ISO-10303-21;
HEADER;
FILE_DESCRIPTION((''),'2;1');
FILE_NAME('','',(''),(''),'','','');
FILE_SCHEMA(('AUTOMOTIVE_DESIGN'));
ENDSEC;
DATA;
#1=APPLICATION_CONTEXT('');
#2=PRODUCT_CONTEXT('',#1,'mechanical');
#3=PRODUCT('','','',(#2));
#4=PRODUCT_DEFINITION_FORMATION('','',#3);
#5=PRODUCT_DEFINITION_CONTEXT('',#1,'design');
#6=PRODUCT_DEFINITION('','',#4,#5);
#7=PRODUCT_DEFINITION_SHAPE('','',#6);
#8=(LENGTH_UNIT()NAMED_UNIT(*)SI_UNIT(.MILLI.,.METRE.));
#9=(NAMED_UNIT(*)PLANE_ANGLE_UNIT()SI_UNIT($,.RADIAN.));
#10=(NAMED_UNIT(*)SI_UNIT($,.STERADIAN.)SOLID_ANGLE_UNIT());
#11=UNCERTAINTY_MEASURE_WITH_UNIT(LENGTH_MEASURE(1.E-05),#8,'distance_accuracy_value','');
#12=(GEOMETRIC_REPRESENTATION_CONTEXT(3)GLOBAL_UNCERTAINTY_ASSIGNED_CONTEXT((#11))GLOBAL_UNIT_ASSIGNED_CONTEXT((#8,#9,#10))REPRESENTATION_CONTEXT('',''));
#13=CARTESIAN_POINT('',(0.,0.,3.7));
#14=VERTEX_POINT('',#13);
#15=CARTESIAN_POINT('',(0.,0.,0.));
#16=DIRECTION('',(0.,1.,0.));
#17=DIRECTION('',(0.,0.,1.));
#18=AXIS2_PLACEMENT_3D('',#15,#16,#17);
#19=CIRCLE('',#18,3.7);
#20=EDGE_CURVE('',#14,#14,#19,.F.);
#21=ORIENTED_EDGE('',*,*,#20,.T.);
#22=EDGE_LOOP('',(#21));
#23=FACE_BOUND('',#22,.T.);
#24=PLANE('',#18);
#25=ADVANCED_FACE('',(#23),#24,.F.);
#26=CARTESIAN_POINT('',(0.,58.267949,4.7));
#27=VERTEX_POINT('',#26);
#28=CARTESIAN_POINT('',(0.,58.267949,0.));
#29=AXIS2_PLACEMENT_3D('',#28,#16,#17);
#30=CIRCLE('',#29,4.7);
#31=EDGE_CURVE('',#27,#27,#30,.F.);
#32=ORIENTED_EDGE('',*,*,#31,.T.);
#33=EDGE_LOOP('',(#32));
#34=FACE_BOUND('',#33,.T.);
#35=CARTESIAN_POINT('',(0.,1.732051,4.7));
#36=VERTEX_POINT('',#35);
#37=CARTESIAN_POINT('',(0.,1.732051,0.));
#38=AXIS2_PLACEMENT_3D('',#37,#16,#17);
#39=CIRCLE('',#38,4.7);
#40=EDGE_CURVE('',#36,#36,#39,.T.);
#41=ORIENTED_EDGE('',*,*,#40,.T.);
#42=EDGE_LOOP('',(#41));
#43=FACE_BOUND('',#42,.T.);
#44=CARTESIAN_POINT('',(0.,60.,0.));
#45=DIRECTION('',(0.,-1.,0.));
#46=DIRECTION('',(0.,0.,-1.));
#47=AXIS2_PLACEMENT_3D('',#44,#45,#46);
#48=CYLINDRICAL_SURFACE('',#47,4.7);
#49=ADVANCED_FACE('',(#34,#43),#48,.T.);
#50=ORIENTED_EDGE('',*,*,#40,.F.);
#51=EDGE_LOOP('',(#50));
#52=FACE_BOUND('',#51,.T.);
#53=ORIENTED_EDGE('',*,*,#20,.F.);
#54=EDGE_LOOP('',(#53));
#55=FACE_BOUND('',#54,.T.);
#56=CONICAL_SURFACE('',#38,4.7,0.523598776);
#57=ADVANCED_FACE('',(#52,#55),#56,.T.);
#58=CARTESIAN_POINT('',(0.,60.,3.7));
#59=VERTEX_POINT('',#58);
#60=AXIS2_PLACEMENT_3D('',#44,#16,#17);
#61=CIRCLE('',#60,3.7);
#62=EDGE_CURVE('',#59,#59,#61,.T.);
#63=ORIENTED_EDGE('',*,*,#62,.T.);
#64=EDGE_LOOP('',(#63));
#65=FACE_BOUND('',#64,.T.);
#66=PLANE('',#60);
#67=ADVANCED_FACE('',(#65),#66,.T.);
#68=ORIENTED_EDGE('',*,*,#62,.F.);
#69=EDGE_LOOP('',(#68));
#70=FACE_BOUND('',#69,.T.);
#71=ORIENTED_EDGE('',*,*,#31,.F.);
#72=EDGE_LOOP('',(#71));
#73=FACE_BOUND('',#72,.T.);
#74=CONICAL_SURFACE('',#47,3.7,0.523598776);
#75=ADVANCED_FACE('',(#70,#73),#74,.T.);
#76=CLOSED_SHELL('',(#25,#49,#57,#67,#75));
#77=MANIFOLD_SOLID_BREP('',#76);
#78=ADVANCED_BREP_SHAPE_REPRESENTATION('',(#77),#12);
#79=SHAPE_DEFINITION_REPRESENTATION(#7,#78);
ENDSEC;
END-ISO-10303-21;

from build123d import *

# Parameters (mm, degrees)
SKETCH1_R           = 4.7
BOSS_EXTRUDE1_DEPTH = 60
CHAMFER1_SIZE       = 1
CHAMFER1_SIZE2      = 1.732050808
CHAMFER3_SIZE       = 1
CHAMFER3_SIZE2      = 1.732050808


with BuildPart() as part:
    # Sketch1 → Boss-Extrude1 (new body)
    with BuildSketch(Plane(origin=(0, 0, 0), x_dir=(1, 0, 0), z_dir=(0, 1, 0))):
        with Locations(Location((0, 0, 0), (0, 0, 270))):
            Circle(SKETCH1_R)
    extrude(amount=BOSS_EXTRUDE1_DEPTH)

    # Chamfer1
    chamfer1_edges = [part.edges().sort_by_distance(p)[0] for p in [
        (0, 0, -4.7),
    ]]
    chamfer1_side = [part.faces().sort_by_distance(p)[0] for p in [
        (0, 0, 0),
    ]]
    chamfer(chamfer1_edges, length=CHAMFER1_SIZE, length2=CHAMFER1_SIZE2, reference=chamfer1_side[0])

    # Chamfer3
    chamfer3_edges = [part.edges().sort_by_distance(p)[0] for p in [
        (0, 60, -4.7),
    ]]
    chamfer3_side = [part.faces().sort_by_distance(p)[0] for p in [
        (0, 60, 0),
    ]]
    chamfer(chamfer3_edges, length=CHAMFER3_SIZE, length2=CHAMFER3_SIZE2, reference=chamfer3_side[0])


solid = part.part
